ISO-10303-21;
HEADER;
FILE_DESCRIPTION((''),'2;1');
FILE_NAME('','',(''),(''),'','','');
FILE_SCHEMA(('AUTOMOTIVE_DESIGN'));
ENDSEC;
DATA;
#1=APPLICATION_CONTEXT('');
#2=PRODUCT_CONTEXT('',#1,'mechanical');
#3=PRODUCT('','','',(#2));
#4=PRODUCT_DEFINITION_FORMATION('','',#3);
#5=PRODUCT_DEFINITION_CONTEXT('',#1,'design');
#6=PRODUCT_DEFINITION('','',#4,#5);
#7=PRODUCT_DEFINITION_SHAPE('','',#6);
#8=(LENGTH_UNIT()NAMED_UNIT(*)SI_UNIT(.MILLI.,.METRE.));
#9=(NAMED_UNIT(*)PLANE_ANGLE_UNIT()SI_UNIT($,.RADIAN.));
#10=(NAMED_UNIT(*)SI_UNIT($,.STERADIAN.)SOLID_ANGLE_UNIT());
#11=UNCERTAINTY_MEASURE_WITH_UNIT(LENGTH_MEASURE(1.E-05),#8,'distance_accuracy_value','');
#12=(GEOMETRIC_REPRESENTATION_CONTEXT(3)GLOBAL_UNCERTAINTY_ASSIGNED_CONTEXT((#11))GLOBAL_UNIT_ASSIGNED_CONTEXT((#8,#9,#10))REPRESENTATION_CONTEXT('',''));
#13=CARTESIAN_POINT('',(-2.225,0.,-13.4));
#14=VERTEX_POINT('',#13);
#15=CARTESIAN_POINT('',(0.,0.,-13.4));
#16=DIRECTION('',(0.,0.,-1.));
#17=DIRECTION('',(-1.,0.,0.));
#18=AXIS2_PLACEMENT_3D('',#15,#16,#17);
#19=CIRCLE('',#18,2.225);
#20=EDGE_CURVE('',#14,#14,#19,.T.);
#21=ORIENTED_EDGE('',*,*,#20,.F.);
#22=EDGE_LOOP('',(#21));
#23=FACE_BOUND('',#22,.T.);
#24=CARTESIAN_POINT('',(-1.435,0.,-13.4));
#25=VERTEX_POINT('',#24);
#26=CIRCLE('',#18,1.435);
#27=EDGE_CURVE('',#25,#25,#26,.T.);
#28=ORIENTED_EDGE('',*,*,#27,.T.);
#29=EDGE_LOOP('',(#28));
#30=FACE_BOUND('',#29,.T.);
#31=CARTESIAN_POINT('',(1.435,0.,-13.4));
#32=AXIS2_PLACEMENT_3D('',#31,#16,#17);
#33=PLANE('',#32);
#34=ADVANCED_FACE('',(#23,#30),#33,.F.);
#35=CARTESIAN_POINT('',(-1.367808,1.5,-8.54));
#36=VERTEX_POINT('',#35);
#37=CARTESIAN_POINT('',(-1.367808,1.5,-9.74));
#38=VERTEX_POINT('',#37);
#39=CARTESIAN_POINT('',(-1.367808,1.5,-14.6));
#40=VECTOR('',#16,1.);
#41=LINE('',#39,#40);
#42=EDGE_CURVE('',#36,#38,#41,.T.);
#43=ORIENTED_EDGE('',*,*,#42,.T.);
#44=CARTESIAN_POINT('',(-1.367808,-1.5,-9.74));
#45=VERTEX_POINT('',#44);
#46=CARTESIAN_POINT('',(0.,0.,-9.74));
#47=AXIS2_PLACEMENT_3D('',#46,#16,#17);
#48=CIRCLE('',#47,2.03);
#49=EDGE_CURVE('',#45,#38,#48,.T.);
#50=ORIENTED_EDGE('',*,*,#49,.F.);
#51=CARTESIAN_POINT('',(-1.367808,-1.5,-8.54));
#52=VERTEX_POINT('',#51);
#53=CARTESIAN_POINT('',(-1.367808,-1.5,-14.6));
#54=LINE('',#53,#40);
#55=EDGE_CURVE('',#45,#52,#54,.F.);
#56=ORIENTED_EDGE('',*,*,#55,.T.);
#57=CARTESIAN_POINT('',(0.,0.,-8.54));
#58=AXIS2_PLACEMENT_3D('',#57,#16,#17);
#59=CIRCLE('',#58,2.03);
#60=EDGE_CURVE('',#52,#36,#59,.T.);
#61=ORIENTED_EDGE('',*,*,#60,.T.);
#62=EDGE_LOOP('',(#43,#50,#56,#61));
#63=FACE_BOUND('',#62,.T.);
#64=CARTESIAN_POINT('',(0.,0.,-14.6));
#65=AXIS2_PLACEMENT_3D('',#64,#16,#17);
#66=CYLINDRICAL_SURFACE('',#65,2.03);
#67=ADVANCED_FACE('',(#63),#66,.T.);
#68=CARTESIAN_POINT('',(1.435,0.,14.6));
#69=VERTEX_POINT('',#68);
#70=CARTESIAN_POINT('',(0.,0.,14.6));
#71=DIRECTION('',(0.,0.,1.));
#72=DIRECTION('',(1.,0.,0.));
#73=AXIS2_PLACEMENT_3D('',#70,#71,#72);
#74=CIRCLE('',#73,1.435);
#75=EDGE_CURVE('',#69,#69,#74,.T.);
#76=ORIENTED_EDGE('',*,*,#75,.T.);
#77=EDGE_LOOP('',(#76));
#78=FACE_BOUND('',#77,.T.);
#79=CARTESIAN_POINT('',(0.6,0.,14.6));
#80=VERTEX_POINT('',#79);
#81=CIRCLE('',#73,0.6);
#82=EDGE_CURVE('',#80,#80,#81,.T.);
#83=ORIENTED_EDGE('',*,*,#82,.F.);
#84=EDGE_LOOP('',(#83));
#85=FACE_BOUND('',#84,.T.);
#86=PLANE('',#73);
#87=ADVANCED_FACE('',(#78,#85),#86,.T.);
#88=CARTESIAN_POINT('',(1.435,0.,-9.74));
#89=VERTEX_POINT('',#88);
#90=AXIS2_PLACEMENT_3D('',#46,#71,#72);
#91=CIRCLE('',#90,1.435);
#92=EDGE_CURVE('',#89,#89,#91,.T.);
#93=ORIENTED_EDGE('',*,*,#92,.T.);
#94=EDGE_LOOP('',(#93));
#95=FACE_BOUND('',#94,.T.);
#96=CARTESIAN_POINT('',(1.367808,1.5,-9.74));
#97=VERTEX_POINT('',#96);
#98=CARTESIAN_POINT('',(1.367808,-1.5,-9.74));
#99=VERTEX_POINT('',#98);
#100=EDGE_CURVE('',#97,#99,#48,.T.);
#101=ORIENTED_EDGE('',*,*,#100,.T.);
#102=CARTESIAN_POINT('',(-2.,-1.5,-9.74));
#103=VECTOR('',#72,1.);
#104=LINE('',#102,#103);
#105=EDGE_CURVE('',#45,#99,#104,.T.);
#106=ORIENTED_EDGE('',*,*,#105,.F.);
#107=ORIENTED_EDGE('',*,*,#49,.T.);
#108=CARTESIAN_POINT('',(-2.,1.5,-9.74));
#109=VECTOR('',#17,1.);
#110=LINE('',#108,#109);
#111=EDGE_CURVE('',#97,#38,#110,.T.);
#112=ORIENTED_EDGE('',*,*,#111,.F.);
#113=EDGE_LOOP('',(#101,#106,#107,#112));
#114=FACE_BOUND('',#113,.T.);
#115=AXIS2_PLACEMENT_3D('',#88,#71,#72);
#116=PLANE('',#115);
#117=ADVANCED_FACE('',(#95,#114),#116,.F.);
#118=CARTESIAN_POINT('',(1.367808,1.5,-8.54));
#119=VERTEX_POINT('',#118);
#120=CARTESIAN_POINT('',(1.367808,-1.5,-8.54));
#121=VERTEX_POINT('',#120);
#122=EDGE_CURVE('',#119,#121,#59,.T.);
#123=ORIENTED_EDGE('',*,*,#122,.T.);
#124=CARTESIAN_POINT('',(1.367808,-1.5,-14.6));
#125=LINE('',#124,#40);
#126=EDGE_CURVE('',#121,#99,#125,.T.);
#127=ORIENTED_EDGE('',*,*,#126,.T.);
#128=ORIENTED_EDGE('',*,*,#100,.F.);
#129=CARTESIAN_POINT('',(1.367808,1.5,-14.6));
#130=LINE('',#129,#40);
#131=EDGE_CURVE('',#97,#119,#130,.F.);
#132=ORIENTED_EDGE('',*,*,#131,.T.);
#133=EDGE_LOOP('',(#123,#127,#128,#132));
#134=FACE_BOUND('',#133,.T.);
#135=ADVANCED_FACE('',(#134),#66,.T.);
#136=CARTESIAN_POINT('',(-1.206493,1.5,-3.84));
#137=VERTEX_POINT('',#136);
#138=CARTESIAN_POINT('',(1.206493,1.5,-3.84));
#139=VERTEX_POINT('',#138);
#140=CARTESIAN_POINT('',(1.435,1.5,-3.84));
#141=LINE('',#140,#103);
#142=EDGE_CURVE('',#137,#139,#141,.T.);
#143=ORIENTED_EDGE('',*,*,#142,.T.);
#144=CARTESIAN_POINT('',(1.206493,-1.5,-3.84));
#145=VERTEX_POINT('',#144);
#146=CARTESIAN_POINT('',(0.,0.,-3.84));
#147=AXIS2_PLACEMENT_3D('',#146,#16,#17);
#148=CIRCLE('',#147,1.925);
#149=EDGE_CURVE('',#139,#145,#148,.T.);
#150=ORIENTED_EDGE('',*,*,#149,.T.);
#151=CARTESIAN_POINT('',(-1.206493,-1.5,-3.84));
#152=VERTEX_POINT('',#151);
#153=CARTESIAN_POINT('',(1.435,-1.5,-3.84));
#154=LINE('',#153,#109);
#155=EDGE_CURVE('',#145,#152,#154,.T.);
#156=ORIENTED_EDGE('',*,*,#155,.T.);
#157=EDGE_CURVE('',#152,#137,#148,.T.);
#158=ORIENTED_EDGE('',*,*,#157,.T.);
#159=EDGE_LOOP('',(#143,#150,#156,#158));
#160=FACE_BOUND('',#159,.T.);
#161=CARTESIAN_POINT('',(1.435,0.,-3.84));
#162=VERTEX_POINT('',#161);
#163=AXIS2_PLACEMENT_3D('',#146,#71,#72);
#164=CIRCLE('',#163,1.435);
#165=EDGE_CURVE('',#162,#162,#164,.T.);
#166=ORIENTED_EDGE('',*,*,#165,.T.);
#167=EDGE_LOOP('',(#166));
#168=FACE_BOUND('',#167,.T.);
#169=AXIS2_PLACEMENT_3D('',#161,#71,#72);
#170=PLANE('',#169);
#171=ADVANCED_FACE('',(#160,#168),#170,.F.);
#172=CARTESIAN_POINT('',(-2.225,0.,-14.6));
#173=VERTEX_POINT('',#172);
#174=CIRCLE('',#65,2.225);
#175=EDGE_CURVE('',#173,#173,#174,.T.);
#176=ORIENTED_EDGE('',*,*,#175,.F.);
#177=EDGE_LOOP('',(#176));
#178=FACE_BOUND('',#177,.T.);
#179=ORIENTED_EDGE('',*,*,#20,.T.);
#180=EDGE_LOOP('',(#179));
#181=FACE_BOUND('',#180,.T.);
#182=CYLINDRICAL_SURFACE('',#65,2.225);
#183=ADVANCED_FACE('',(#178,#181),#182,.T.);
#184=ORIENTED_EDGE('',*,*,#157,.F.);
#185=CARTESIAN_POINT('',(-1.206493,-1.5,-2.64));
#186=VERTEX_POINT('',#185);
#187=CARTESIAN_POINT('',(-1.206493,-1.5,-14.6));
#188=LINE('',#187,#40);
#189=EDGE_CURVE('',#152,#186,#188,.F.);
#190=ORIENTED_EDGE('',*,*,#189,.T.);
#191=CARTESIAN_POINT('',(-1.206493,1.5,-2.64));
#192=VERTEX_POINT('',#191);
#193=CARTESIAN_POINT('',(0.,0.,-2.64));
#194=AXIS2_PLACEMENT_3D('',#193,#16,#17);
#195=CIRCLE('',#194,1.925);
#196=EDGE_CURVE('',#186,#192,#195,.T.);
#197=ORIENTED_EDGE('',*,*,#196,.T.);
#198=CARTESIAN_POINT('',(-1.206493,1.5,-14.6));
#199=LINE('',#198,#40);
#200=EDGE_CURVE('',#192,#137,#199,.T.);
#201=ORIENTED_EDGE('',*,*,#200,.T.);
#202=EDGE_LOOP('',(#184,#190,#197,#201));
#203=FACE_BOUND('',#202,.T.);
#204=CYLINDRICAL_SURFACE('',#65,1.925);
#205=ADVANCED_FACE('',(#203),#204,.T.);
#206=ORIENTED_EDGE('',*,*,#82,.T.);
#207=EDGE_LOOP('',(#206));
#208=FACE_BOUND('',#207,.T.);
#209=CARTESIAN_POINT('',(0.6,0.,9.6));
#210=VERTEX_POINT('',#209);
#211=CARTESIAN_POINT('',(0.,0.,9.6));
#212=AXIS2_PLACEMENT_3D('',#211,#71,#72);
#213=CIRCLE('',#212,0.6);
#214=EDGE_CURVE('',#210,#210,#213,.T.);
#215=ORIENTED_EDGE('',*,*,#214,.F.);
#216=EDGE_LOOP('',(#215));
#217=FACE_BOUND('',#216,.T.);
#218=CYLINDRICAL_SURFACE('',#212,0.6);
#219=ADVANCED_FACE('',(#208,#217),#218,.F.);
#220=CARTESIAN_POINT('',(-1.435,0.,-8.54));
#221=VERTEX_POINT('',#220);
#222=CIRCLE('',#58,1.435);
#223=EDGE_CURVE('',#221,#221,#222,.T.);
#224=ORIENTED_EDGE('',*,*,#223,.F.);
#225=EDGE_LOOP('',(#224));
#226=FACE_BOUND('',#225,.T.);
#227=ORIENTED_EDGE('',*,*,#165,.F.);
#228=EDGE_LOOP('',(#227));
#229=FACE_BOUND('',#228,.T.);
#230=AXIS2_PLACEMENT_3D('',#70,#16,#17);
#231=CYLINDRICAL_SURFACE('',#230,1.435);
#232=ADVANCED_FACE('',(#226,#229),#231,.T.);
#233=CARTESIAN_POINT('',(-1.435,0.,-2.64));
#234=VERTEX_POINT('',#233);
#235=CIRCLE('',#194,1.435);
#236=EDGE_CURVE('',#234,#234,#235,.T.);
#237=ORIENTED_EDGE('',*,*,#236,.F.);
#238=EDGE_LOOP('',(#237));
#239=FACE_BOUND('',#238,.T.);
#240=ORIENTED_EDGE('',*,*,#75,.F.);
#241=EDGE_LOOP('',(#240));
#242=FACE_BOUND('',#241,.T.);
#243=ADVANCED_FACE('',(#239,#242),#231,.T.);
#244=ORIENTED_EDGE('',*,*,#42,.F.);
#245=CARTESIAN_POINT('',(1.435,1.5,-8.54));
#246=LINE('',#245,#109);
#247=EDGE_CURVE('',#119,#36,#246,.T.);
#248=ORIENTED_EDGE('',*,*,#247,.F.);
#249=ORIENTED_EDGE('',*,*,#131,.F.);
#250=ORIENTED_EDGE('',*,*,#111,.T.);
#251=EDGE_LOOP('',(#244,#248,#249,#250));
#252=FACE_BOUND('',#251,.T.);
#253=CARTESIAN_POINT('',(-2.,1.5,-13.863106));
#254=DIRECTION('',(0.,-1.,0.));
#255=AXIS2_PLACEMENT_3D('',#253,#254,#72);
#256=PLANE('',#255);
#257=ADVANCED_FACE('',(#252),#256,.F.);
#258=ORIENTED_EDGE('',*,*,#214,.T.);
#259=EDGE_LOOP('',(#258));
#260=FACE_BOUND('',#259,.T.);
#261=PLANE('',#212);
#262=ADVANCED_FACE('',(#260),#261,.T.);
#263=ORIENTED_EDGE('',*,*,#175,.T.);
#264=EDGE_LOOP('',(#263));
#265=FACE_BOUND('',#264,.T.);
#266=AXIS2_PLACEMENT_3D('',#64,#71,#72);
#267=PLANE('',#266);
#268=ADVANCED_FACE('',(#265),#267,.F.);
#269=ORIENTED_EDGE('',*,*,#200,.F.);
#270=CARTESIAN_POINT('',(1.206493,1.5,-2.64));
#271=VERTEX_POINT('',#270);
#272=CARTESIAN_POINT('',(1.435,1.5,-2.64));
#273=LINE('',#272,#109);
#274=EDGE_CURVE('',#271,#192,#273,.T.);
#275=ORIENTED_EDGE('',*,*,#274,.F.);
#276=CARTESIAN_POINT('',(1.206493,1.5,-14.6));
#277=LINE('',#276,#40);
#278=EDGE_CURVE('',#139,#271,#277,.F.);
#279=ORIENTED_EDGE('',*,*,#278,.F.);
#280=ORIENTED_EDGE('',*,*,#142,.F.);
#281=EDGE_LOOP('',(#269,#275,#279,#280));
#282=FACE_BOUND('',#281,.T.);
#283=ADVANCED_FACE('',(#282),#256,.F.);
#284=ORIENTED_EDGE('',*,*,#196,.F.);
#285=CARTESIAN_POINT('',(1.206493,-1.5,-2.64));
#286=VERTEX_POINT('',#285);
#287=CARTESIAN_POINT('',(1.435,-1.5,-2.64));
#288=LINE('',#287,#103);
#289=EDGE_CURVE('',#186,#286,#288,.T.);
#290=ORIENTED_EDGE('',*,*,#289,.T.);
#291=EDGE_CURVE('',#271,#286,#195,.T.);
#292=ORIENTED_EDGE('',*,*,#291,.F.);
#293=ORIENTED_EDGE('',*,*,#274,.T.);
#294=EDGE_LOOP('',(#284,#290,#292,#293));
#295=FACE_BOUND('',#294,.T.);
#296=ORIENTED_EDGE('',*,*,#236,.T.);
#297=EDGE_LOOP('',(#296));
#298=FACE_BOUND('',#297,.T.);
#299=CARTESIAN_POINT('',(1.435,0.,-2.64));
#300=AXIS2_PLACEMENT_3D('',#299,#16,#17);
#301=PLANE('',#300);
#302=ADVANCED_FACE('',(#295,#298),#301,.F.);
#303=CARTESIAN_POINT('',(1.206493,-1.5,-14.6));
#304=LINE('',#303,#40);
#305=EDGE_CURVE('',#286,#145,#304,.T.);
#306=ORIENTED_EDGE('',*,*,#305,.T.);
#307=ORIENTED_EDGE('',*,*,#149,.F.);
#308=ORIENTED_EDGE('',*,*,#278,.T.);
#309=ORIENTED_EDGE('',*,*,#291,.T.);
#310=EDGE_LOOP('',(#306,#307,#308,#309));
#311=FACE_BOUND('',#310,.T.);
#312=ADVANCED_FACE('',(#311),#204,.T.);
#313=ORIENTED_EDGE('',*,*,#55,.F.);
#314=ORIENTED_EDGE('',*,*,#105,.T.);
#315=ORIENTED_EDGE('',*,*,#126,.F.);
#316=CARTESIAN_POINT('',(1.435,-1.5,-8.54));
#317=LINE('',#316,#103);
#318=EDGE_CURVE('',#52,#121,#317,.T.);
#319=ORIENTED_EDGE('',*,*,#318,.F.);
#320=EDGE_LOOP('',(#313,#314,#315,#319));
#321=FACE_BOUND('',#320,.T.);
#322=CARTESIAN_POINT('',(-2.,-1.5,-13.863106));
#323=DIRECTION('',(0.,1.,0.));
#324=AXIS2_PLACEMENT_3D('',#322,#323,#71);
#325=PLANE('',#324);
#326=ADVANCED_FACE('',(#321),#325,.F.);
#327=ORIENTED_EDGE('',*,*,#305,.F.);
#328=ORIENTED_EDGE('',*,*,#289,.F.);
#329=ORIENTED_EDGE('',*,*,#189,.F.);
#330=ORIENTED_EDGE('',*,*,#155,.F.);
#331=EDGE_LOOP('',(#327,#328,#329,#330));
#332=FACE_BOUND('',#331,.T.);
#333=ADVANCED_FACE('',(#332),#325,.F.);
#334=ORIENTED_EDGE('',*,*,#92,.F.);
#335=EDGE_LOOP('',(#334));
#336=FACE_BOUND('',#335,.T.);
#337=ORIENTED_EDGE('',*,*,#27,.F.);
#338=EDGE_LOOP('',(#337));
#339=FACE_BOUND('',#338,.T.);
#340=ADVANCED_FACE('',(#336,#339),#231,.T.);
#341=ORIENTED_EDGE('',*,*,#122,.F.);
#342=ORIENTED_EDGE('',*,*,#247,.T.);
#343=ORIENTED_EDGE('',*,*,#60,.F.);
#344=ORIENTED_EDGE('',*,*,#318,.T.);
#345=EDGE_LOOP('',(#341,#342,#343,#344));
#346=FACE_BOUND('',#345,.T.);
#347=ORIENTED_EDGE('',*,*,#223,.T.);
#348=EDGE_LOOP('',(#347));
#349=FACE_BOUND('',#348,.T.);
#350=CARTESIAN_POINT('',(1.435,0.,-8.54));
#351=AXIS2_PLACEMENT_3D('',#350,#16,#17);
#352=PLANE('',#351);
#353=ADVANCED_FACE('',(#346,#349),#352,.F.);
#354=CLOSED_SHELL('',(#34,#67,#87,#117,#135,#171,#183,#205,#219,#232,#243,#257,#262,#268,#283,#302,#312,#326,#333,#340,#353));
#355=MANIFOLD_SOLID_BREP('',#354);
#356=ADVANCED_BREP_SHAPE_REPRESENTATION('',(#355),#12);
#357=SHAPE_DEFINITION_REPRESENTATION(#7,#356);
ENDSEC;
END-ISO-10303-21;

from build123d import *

# Parameters (mm, degrees)
SKETCH1_R           = 1.435
BOSS_EXTRUDE1_DEPTH = 14.6
SKETCH2_R           = 0.6
CUT_EXTRUDE1_DEPTH  = 5
SKETCH3_W           = 0.49
SKETCH3_H           = 1.2
SKETCH3_W_2         = 0.595
SKETCH3_W_3         = 0.79
SKETCH4_W           = 4
SKETCH4_H           = 1
CUT_EXTRUDE2_DEPTH  = 24.34


with BuildPart() as part:
    # Sketch1 → Boss-Extrude1 (new body, symmetric)
    with BuildSketch(Plane.XY):
        Circle(SKETCH1_R)
    extrude(amount=BOSS_EXTRUDE1_DEPTH, both=True)

    # Sketch2 → Cut-Extrude1 (cut)
    with BuildSketch(Plane.XY.offset(14.6)):
        Circle(SKETCH2_R)
    extrude(amount=-CUT_EXTRUDE1_DEPTH, mode=Mode.SUBTRACT)

    # Sketch3 → Revolve1 (revolve)
    with BuildSketch(Plane(origin=(0, 0, 0), x_dir=(1, 0, 0), z_dir=(0, 1, 0))):
        with Locations((1.68, 3.24)):
            Rectangle(SKETCH3_W, SKETCH3_H)
        with Locations((1.7325, 9.14)):
            Rectangle(SKETCH3_W_2, SKETCH3_H)
        with Locations((1.83, 14)):
            Rectangle(SKETCH3_W_3, SKETCH3_H)
    revolve(axis=Axis((0, 0, -14.6), (0, 0, 1)))

    # Sketch4 → Cut-Extrude2 (cut)
    with BuildSketch(Plane.XY.offset(14.6)):
        with Locations((0, 2)):
            Rectangle(SKETCH4_W, SKETCH4_H)
        with Locations((0, -2)):
            Rectangle(SKETCH4_W, SKETCH4_H)
    extrude(amount=-CUT_EXTRUDE2_DEPTH, mode=Mode.SUBTRACT)


solid = part.part
